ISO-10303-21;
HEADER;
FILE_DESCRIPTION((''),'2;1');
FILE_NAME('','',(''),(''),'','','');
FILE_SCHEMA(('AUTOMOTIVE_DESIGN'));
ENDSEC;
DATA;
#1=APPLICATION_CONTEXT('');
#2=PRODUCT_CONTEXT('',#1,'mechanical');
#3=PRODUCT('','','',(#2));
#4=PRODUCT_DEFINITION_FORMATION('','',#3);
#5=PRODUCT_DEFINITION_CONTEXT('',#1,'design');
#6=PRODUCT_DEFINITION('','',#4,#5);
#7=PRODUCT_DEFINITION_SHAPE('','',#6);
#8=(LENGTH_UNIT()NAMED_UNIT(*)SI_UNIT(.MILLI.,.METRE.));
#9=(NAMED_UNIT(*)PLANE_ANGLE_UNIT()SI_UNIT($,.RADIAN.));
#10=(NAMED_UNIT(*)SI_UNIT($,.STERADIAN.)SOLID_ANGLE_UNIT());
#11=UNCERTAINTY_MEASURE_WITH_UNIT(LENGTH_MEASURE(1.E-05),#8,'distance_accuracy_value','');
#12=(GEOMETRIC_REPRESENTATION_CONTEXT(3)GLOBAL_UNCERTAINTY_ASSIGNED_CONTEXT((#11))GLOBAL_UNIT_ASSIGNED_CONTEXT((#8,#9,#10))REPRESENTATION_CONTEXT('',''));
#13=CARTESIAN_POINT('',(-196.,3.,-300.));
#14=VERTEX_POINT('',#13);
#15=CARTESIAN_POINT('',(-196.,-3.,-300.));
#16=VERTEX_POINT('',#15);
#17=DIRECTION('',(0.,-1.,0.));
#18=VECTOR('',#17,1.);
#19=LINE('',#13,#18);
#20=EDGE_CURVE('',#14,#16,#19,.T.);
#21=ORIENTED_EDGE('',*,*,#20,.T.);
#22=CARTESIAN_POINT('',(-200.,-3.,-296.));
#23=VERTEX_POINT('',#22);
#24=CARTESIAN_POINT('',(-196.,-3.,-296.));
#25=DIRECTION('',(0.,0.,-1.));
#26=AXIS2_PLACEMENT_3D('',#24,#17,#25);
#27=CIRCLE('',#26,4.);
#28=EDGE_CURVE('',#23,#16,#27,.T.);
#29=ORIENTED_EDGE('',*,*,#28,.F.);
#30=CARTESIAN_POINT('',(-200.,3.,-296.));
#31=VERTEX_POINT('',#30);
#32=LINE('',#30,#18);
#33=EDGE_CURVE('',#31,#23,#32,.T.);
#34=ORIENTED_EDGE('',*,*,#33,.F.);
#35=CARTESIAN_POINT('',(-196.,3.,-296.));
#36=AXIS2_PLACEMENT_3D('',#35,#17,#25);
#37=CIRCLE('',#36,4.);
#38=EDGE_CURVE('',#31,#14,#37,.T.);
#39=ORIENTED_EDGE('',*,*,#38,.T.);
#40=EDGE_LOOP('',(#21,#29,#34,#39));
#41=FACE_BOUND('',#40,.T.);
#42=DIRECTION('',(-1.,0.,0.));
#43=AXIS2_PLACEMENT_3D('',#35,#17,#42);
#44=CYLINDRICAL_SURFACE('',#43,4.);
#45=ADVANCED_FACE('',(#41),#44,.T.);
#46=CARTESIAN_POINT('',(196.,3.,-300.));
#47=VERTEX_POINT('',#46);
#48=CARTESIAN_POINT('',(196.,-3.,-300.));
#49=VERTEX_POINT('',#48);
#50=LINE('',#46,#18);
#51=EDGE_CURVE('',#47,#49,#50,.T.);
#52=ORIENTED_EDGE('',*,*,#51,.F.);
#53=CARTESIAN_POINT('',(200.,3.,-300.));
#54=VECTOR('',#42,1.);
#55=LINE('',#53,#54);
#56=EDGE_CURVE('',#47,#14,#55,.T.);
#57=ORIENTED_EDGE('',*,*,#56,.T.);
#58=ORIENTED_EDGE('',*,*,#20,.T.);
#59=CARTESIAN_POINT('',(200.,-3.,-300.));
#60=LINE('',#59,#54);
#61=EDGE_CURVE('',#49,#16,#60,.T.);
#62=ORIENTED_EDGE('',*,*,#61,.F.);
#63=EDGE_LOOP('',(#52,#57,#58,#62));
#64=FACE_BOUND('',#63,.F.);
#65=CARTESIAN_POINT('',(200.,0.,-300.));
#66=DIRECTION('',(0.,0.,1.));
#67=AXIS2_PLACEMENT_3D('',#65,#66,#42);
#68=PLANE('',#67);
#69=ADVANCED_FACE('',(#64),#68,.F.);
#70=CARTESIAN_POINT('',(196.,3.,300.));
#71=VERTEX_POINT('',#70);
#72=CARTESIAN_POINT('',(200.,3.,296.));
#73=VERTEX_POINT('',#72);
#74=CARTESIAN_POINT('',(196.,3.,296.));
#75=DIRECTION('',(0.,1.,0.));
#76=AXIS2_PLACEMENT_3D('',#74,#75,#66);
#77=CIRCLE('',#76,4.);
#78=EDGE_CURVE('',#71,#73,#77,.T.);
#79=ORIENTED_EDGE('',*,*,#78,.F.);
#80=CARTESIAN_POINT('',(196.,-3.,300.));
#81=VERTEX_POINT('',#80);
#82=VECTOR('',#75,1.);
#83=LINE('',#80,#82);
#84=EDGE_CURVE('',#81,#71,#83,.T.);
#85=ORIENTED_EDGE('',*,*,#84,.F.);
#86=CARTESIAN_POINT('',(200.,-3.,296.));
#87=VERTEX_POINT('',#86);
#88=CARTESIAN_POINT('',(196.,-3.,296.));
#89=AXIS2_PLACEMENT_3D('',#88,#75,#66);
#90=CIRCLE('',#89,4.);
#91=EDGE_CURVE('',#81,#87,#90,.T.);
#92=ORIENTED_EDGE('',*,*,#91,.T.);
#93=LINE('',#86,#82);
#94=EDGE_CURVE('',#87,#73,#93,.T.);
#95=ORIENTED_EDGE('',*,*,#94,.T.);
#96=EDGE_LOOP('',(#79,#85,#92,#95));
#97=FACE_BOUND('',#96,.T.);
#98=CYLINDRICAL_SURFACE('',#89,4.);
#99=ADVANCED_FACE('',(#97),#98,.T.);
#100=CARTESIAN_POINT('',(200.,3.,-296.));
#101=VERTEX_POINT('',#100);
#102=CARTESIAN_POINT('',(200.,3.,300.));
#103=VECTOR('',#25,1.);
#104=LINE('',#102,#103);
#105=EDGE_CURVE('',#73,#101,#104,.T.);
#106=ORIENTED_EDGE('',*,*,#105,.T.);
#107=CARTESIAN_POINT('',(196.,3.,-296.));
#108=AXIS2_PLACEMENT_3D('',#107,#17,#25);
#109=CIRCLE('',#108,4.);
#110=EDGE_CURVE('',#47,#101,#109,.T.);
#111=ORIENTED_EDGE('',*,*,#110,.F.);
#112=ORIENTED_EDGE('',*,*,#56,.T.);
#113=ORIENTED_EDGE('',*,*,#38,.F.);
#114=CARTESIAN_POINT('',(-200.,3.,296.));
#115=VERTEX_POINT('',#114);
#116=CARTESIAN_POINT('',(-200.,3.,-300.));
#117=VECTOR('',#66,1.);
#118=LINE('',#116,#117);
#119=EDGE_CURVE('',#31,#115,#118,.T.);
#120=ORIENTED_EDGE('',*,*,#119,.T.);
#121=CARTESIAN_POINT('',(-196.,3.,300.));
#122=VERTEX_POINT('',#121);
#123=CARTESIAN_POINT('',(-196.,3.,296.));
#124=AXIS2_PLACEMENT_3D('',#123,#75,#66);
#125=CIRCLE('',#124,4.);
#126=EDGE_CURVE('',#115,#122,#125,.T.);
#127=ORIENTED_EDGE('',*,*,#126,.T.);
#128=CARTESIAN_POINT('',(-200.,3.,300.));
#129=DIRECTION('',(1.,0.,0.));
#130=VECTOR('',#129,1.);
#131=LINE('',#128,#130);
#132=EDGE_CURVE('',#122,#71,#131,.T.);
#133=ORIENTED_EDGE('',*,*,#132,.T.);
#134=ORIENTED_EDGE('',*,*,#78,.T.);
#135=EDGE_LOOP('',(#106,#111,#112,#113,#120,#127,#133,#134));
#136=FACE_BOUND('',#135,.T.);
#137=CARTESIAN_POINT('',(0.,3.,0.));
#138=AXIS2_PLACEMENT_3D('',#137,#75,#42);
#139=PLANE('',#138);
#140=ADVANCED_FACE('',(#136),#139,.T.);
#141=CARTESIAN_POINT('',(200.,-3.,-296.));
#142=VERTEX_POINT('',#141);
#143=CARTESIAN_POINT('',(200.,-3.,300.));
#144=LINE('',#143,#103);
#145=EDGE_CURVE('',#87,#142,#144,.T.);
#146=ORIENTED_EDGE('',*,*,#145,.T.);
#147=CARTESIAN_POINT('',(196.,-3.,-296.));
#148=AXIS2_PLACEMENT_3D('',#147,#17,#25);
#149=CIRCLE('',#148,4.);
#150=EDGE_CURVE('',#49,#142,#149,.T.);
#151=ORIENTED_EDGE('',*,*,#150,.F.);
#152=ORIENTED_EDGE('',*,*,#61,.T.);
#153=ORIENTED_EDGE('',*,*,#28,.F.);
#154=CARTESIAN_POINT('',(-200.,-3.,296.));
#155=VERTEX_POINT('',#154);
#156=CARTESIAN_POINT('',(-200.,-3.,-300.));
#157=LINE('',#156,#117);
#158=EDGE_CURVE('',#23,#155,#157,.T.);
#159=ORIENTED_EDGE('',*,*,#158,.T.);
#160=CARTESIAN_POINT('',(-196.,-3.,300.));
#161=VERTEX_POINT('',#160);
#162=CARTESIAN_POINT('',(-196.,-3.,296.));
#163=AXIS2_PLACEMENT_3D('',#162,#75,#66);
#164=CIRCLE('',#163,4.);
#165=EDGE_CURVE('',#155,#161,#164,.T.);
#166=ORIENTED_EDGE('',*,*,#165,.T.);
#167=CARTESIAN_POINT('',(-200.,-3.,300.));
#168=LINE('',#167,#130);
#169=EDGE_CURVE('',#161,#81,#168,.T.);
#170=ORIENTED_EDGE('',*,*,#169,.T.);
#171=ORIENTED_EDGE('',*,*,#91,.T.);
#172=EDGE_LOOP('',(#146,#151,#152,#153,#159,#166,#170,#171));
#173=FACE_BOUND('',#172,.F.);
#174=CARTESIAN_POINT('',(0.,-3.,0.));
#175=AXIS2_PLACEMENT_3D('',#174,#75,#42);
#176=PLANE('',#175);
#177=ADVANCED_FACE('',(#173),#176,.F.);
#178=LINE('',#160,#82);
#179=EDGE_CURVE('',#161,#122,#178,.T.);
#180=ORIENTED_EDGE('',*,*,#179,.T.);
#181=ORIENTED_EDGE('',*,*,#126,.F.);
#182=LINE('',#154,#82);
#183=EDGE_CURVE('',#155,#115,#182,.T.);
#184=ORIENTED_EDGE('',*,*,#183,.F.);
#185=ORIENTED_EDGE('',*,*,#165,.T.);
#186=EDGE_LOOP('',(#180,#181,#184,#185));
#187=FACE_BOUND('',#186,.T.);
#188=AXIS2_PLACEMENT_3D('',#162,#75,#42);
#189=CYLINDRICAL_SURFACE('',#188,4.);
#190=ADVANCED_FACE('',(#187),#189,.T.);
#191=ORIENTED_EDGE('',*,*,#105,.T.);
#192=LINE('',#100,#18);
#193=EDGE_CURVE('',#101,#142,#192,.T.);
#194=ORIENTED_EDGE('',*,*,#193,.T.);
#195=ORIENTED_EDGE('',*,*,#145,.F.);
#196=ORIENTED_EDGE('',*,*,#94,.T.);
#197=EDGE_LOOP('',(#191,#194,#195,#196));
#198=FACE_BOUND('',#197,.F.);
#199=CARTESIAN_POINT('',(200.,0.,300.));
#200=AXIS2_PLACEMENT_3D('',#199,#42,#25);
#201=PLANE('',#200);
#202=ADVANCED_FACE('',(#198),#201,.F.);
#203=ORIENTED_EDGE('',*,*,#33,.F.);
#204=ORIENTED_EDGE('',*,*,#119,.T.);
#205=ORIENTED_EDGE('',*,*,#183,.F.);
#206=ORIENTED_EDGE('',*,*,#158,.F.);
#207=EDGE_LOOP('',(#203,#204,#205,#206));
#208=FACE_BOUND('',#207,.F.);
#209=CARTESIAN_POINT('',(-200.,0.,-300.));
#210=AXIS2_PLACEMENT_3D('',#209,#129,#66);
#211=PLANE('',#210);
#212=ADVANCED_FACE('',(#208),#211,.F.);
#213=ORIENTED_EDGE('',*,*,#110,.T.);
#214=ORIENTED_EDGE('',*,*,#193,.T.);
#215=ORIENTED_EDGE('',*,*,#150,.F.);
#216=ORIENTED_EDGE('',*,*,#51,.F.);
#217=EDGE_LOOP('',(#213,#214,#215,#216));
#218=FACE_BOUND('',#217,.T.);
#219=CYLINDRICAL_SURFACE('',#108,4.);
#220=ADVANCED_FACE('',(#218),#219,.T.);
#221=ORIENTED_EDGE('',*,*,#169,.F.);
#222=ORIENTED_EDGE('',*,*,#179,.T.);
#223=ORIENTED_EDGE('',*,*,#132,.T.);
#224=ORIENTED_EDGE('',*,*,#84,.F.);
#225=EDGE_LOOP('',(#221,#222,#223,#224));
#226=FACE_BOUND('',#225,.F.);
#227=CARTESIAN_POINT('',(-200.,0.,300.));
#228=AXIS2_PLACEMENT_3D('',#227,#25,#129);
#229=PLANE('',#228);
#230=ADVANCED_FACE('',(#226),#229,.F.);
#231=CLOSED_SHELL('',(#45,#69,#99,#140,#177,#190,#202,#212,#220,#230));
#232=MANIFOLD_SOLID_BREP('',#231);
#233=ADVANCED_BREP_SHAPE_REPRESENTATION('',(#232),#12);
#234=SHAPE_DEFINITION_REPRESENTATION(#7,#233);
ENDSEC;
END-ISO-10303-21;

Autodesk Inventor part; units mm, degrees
sketch "Эскиз1" plane through (0, 0, 0) normal (0, 1, 0) x (-1, 0, 0)
  line L0 (200, 300) -> (-200, 300)
  line L1 (-200, 300) -> (-200, -300)
  line L2 (-200, -300) -> (200, -300)
  line L3 (200, -300) -> (200, 300)
  line L4 (200, 300) -> (-200, -300) construction
  line L5 (-200, 300) -> (200, -300) construction
  point P0 (0, 0)
  dimension "d0" = 600
  dimension "d1" = 400
extrude "Выдавливание1" add sketch "Эскиз1" along normal mid plane 6
fillet "Сопряжение1" radius 4 4 edges at (-200, 0, -300) (200, 0, -300) (200, 0, 300) (-200, 0, 300)
properties part number "platform"
